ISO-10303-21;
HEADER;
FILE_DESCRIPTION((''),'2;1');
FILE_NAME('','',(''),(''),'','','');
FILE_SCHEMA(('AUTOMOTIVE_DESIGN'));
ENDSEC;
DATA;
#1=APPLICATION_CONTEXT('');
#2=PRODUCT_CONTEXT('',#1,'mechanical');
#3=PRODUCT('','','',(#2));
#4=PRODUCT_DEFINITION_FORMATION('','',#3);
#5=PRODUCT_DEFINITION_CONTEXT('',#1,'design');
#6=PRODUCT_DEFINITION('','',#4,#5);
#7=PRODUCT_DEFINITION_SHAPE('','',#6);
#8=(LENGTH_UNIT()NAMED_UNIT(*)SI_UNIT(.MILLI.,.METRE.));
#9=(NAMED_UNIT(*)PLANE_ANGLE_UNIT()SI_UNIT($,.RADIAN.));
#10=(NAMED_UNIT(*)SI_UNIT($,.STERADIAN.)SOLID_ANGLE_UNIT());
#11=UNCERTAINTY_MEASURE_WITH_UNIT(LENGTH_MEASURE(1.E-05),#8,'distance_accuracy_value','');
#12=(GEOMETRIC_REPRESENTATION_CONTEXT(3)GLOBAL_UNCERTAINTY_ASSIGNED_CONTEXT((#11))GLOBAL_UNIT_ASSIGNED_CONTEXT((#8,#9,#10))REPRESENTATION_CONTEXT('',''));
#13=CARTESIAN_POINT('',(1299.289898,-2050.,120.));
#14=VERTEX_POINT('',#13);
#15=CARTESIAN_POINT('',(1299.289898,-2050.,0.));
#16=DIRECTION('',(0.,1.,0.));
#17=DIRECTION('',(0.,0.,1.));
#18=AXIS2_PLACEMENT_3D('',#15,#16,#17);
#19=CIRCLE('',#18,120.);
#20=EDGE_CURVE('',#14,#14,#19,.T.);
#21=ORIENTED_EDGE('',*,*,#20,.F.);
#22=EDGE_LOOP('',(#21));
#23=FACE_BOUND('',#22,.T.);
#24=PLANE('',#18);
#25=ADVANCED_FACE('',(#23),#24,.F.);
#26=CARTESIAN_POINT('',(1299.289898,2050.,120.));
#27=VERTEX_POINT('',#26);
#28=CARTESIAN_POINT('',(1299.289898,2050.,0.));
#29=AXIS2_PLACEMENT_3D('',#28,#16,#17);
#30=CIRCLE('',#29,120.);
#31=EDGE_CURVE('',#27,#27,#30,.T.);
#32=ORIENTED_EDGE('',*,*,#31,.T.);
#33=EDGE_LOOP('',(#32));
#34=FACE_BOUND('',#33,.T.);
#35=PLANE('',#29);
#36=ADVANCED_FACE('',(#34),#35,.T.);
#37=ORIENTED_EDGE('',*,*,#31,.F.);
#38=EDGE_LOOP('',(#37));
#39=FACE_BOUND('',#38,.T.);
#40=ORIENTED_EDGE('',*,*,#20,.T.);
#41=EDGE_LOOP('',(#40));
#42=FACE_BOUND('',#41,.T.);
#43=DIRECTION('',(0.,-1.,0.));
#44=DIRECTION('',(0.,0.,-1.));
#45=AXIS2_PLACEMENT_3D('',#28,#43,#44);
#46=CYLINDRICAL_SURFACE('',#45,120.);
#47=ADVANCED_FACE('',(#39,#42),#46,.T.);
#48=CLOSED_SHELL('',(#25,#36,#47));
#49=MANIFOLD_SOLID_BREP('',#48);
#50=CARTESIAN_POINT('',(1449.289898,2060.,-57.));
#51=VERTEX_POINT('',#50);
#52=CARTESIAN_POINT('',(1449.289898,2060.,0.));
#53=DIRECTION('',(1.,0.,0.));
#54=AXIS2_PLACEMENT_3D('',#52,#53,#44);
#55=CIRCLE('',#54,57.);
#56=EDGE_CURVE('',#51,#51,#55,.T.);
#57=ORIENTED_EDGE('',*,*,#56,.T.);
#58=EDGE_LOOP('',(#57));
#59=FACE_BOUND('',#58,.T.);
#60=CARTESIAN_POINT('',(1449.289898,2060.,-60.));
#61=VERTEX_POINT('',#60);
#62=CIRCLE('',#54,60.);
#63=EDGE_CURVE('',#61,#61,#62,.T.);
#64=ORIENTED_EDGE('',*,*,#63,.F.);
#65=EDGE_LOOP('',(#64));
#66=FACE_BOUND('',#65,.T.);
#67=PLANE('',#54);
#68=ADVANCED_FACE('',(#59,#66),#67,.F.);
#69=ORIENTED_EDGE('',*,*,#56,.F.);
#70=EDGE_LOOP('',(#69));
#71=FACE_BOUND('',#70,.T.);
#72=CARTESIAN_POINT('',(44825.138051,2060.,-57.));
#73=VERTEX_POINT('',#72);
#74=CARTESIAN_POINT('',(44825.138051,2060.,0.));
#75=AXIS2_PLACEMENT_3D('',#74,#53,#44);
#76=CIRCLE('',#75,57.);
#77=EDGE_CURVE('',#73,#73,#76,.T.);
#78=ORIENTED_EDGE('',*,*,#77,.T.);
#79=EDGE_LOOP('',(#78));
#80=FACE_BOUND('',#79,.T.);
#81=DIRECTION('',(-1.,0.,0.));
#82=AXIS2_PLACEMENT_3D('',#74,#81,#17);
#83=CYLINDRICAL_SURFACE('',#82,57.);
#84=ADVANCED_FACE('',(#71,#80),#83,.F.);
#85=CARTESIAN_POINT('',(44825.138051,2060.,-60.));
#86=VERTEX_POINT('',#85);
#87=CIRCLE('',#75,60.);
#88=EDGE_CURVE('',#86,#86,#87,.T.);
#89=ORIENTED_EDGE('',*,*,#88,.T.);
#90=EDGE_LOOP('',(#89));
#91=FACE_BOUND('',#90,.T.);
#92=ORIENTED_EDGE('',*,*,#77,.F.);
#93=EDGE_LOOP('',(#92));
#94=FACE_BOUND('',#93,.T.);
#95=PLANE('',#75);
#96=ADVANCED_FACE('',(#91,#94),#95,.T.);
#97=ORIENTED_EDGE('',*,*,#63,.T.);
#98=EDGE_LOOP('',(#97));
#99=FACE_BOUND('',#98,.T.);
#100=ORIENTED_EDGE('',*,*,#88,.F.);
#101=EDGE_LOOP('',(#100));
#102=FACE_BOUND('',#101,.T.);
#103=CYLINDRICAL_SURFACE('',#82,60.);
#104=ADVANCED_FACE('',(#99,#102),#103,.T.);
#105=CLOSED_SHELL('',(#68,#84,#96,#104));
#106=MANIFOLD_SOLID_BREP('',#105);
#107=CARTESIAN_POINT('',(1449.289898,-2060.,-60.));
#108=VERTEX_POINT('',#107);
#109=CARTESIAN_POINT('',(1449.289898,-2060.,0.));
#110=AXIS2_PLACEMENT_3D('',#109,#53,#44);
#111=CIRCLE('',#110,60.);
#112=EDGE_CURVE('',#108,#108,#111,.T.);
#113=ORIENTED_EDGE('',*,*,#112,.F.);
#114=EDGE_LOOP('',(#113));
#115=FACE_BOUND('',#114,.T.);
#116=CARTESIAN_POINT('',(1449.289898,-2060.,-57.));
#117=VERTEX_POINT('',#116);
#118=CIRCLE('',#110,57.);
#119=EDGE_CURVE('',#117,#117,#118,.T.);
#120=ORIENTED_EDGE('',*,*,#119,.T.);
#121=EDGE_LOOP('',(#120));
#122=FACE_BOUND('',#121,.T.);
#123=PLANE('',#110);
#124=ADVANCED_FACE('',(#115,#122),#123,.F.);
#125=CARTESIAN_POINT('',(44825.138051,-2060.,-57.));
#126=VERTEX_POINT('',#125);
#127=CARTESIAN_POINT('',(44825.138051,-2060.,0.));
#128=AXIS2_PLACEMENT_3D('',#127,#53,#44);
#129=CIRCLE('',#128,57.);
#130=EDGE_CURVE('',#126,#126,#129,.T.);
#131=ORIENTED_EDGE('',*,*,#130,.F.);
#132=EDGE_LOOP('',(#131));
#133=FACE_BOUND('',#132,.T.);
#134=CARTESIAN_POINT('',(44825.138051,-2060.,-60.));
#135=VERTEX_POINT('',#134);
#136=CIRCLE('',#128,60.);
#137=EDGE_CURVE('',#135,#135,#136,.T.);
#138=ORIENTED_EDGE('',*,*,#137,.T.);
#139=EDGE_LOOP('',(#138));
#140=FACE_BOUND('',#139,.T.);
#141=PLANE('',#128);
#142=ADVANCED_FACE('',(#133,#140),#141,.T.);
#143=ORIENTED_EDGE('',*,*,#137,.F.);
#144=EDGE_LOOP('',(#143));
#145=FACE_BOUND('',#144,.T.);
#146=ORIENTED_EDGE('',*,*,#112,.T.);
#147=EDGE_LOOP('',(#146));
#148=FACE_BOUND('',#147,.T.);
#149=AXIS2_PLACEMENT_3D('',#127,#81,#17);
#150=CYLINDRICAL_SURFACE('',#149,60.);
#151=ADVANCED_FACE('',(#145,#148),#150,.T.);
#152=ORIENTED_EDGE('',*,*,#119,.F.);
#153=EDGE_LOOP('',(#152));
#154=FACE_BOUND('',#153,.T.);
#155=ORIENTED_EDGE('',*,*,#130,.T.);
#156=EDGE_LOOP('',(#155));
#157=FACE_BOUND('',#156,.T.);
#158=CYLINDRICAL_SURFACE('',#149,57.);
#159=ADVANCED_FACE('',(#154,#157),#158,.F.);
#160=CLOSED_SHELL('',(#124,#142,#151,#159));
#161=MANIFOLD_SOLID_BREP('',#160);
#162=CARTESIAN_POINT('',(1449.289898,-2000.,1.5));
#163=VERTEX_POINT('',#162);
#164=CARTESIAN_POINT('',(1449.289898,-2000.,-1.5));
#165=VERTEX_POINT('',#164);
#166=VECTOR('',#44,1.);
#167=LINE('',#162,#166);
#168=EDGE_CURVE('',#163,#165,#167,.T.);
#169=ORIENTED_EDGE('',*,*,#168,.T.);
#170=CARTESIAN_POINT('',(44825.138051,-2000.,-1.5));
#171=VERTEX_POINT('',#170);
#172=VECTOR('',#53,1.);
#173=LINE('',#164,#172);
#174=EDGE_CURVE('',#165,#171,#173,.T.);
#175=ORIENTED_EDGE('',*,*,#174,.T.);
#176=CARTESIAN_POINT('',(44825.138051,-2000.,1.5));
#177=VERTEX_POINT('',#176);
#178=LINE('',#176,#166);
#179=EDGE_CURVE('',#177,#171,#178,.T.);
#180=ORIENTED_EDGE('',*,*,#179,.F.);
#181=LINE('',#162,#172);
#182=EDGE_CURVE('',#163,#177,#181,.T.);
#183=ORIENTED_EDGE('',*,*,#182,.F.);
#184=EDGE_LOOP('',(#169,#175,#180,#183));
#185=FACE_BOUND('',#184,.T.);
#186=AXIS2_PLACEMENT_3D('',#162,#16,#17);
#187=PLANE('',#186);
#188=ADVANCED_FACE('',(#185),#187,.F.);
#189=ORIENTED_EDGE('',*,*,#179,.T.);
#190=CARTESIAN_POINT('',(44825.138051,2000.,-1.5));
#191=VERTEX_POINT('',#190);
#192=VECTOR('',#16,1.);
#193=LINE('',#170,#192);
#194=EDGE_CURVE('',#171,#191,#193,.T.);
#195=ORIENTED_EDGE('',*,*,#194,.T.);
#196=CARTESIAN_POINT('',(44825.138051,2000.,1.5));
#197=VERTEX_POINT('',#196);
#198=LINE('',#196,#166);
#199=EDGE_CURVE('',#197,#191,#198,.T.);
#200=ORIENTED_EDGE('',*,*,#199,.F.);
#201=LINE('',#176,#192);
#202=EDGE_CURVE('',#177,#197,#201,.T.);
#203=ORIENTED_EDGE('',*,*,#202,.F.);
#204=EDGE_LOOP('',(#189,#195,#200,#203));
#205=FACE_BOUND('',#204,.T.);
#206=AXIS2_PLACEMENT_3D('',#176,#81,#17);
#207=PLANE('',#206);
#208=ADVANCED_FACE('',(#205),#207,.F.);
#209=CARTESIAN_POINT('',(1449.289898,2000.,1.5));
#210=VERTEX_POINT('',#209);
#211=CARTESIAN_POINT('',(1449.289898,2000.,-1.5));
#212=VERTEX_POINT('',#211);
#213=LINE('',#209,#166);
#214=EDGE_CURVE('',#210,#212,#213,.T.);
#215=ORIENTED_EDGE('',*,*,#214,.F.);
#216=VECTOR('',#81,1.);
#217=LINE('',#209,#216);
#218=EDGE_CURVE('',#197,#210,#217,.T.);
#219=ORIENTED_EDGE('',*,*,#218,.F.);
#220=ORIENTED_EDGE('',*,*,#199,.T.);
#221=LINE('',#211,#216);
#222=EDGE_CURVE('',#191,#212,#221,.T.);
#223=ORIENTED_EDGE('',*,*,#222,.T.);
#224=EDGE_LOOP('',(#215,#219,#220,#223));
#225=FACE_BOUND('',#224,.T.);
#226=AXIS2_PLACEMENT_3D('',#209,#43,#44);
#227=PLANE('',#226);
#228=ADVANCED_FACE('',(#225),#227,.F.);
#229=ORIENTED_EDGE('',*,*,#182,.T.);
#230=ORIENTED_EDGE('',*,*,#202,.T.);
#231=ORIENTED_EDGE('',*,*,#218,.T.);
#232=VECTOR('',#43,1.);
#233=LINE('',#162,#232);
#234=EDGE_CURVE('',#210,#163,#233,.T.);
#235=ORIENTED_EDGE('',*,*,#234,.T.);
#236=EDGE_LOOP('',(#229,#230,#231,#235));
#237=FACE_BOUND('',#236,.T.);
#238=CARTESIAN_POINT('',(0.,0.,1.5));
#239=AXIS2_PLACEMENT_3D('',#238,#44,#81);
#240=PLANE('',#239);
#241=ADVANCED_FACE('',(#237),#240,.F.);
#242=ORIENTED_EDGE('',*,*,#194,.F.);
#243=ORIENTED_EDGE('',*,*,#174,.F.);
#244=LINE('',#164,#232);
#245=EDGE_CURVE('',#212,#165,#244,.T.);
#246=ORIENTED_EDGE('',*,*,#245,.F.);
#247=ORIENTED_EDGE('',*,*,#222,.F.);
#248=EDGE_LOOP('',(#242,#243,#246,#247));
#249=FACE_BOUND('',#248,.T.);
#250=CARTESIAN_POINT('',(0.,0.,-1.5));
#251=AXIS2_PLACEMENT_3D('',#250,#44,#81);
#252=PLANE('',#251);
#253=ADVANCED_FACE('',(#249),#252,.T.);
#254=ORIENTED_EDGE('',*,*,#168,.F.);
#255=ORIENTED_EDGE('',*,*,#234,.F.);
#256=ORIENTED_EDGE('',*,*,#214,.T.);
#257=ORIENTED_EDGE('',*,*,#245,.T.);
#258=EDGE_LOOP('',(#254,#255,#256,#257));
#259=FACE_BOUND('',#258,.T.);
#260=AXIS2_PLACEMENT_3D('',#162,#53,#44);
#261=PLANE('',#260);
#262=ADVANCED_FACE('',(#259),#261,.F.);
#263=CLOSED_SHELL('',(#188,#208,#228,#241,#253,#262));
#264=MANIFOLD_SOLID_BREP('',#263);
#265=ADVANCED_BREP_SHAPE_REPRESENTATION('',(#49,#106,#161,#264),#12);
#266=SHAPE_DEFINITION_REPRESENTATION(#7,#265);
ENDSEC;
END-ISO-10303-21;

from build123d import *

# Parameters (mm, degrees)
BOSS_EXTRUDE1_START = -2050
SKETCH1_R           = 120
BOSS_EXTRUDE1_DEPTH = 4100
BOSS_EXTRUDE2_START = -1.5
SKETCH2_W           = 43375.848153551
SKETCH2_H           = 4000
BOSS_EXTRUDE2_DEPTH = 3
BOSS_EXTRUDE3_START = 1449.28989768
SKETCH3_R           = 60
SKETCH3_R_2         = 57
BOSS_EXTRUDE3_DEPTH = 43375.848153551
BOSS_EXTRUDE4_START = 1449.28989768
SKETCH4_R           = 60
SKETCH4_R_2         = 57
BOSS_EXTRUDE4_DEPTH = 43375.848153551


with BuildPart() as part:
    # Sketch1 → Boss-Extrude1 (new body)
    with BuildSketch(Plane(origin=(0, 0, 0), x_dir=(1, 0, 0), z_dir=(0, 1, 0)).offset(BOSS_EXTRUDE1_START)):
        with Locations(Location((1299.28989768, 0, 0), (0, 0, 270))):
            Circle(SKETCH1_R)
    extrude(amount=BOSS_EXTRUDE1_DEPTH)


with BuildPart() as body_2:
    # Sketch2 → Boss-Extrude2 (new body)
    with BuildSketch(Plane.XY.offset(BOSS_EXTRUDE2_START)):
        with Locations((23137.213974456, 0)):
            Rectangle(SKETCH2_W, SKETCH2_H)
    extrude(amount=BOSS_EXTRUDE2_DEPTH)


with BuildPart() as body_3:
    # Sketch3 → Boss-Extrude3 (new body)
    with BuildSketch(Plane(origin=(0, 0, 0), x_dir=(0, 0, -1), z_dir=(1, 0, 0)).offset(BOSS_EXTRUDE3_START)):
        with Locations((0, -2060)):
            Circle(SKETCH3_R)
        with Locations((0, -2060)):
            Circle(SKETCH3_R_2, mode=Mode.SUBTRACT)
    extrude(amount=BOSS_EXTRUDE3_DEPTH)


with BuildPart() as body_4:
    # Sketch4 → Boss-Extrude4 (new body)
    with BuildSketch(Plane(origin=(0, 0, 0), x_dir=(0, 0, -1), z_dir=(1, 0, 0)).offset(BOSS_EXTRUDE4_START)):
        with Locations((0, 2060)):
            Circle(SKETCH4_R)
        with Locations((0, 2060)):
            Circle(SKETCH4_R_2, mode=Mode.SUBTRACT)
    extrude(amount=BOSS_EXTRUDE4_DEPTH)


solid = Compound([part.part, body_2.part, body_3.part, body_4.part])
